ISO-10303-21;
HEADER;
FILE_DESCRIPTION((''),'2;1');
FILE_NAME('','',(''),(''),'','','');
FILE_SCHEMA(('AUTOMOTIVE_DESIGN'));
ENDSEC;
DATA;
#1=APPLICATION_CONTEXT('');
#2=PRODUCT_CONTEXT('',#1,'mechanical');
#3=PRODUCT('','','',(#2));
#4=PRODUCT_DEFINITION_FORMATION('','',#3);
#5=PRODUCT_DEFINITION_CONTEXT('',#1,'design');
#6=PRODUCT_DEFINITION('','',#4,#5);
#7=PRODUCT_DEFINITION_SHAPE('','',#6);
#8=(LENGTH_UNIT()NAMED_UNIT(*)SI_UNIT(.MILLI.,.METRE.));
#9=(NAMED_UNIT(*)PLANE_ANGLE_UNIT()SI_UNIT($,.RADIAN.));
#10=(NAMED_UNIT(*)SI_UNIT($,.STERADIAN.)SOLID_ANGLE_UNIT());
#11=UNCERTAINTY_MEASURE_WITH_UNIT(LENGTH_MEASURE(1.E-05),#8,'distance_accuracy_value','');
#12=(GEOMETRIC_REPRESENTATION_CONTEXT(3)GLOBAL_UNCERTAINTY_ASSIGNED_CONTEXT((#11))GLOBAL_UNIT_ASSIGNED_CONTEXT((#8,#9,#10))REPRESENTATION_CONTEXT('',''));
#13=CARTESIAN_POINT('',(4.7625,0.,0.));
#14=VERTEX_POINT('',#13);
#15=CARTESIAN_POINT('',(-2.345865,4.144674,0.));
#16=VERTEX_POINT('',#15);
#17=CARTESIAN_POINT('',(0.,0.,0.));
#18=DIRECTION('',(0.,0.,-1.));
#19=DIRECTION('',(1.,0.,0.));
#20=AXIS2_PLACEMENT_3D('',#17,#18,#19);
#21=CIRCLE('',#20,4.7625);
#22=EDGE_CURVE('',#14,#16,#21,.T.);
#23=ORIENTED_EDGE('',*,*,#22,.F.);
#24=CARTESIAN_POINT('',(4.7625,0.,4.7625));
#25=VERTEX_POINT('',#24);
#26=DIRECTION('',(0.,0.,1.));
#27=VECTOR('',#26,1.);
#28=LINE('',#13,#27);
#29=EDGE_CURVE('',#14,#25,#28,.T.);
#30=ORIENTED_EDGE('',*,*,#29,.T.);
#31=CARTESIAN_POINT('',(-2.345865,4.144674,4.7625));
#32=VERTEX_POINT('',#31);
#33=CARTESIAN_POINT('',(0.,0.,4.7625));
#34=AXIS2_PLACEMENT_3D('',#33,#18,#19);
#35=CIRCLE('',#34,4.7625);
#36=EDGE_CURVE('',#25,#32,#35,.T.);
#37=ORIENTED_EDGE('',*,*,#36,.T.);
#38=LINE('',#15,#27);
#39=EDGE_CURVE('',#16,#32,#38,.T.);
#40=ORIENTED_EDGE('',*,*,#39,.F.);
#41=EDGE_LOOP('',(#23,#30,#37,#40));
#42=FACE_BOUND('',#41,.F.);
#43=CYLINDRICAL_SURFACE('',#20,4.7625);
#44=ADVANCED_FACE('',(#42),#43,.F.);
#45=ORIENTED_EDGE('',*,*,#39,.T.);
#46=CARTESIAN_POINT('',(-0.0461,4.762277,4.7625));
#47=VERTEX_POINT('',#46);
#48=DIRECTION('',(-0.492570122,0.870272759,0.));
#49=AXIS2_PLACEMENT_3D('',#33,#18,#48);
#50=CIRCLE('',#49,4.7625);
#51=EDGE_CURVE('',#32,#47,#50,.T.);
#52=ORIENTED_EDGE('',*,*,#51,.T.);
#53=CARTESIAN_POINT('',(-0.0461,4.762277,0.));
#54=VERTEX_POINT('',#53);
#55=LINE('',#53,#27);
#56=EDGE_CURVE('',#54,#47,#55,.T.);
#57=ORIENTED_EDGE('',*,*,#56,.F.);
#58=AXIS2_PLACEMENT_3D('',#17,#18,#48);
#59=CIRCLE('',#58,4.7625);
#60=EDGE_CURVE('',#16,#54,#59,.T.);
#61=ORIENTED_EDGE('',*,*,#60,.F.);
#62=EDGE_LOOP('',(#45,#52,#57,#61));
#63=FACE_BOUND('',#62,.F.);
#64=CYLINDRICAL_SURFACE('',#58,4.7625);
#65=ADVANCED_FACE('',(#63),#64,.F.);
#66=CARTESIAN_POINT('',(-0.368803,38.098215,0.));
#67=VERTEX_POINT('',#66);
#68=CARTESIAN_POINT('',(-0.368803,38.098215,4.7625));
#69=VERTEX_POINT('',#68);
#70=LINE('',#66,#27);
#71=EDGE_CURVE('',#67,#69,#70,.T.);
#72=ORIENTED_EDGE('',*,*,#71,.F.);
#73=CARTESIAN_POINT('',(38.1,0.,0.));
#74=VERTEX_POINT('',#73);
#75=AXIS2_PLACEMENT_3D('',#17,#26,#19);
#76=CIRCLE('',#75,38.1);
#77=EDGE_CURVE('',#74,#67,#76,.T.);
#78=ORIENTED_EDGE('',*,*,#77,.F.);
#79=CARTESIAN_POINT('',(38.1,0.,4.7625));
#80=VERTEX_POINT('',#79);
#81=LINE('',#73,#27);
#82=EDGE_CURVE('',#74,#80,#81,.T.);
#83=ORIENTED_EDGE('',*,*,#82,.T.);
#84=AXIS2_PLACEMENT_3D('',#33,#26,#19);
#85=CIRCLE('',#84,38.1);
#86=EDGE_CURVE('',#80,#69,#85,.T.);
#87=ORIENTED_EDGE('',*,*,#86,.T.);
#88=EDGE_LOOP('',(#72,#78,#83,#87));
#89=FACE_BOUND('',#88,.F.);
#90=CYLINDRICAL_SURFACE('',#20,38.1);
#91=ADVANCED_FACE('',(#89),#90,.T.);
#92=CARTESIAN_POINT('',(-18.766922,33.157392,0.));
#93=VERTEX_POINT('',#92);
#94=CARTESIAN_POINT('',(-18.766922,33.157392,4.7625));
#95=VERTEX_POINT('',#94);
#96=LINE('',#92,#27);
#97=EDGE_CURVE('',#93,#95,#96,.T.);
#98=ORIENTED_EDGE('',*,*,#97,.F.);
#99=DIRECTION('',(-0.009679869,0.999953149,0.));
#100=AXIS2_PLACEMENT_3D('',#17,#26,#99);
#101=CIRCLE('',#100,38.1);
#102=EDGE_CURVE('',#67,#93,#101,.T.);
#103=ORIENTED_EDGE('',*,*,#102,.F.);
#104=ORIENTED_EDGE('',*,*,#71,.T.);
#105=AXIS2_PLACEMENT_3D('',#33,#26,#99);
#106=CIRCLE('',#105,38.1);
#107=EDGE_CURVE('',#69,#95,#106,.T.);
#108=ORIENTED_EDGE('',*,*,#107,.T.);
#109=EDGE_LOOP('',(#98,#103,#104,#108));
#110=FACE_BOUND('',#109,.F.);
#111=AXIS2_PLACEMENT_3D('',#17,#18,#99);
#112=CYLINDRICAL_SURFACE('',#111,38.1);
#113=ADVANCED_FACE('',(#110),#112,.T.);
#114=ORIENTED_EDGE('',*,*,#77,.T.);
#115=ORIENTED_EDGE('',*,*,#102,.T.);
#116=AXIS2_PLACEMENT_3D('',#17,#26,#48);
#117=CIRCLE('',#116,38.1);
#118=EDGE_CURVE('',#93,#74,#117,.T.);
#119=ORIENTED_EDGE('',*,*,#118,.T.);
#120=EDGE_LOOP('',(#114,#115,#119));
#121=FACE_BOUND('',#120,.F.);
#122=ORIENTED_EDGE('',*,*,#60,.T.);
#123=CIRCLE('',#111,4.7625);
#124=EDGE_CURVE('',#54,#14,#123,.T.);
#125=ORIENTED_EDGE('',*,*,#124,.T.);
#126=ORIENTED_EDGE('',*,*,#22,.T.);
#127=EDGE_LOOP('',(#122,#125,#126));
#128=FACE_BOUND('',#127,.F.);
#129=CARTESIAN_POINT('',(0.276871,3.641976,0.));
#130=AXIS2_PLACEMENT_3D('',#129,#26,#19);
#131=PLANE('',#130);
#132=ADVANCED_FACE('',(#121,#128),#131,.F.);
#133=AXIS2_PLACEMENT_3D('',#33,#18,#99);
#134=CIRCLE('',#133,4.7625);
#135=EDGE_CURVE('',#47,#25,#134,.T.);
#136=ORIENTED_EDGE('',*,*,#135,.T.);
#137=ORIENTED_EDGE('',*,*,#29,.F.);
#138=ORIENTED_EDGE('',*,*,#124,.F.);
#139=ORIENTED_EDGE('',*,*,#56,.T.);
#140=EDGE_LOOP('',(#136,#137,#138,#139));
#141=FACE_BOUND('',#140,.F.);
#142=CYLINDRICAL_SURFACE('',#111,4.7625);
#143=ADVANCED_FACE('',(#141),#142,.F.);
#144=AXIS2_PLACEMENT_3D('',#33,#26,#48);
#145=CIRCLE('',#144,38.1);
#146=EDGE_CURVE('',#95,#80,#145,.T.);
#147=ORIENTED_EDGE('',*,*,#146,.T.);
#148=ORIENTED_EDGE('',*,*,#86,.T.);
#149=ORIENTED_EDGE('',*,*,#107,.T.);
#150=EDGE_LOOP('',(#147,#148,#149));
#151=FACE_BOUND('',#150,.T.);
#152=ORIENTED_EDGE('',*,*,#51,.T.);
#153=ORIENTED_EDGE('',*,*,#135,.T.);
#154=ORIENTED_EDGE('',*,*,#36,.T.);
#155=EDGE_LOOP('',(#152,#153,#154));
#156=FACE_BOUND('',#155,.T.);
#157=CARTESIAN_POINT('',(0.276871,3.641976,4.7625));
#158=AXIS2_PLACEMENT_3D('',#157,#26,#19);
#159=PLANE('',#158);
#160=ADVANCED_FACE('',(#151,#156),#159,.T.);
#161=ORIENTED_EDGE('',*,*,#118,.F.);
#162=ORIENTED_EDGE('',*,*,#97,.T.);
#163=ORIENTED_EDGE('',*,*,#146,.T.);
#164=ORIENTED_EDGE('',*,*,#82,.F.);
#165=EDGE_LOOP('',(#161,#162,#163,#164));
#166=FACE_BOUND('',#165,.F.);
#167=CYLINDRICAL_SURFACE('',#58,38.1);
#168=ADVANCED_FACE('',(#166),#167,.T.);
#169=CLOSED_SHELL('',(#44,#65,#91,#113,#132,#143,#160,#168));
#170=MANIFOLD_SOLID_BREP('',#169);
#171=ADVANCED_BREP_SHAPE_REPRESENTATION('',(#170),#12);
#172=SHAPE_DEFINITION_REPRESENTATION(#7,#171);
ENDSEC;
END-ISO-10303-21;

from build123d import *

# Parameters (mm, degrees)
F1_DEPTH = 4.7625


with BuildPart() as f1:
    # F0 (on Top) → F1 (new body)
    with BuildSketch(Plane.XY):
        with BuildLine():
            ThreePointArc((-18.7669216404, 33.1573921192), (-19.1910172412, -32.9137487572), (38.1, 0))
            ThreePointArc((38.1, 0), (26.8100597322, 27.0708458891), (-0.3688030002, 38.0982149759))
            Line((-0.3688030002, 38.0982149759), (-0.046100375, 4.762276872))
            ThreePointArc((-0.046100375, 4.762276872), (3.3512574665, 3.3838557361), (4.7625, 0))
            ThreePointArc((4.7625, 0), (-2.3988771551, -4.1142185946), (-2.345865205, 4.1446740149))
            Line((-2.345865205, 4.1446740149), (-18.7669216404, 33.1573921192))
        make_face()
        with BuildLine():
            Line((-18.7669216404, 33.1573921192), (-0.3688030002, 38.0982149759))
            ThreePointArc((-0.3688030002, 38.0982149759), (-9.8816457134, 36.7962372804), (-18.7669216404, 33.1573921192))
        make_face()
        with BuildLine():
            Line((-0.046100375, 4.762276872), (-0.3688030002, 38.0982149759))
            Line((-0.3688030002, 38.0982149759), (-18.7669216404, 33.1573921192))
            Line((-18.7669216404, 33.1573921192), (-2.345865205, 4.1446740149))
            ThreePointArc((-2.345865205, 4.1446740149), (-1.2352057142, 4.59952966), (-0.046100375, 4.762276872))
        make_face()
    extrude(amount=F1_DEPTH)


solid = f1.part
